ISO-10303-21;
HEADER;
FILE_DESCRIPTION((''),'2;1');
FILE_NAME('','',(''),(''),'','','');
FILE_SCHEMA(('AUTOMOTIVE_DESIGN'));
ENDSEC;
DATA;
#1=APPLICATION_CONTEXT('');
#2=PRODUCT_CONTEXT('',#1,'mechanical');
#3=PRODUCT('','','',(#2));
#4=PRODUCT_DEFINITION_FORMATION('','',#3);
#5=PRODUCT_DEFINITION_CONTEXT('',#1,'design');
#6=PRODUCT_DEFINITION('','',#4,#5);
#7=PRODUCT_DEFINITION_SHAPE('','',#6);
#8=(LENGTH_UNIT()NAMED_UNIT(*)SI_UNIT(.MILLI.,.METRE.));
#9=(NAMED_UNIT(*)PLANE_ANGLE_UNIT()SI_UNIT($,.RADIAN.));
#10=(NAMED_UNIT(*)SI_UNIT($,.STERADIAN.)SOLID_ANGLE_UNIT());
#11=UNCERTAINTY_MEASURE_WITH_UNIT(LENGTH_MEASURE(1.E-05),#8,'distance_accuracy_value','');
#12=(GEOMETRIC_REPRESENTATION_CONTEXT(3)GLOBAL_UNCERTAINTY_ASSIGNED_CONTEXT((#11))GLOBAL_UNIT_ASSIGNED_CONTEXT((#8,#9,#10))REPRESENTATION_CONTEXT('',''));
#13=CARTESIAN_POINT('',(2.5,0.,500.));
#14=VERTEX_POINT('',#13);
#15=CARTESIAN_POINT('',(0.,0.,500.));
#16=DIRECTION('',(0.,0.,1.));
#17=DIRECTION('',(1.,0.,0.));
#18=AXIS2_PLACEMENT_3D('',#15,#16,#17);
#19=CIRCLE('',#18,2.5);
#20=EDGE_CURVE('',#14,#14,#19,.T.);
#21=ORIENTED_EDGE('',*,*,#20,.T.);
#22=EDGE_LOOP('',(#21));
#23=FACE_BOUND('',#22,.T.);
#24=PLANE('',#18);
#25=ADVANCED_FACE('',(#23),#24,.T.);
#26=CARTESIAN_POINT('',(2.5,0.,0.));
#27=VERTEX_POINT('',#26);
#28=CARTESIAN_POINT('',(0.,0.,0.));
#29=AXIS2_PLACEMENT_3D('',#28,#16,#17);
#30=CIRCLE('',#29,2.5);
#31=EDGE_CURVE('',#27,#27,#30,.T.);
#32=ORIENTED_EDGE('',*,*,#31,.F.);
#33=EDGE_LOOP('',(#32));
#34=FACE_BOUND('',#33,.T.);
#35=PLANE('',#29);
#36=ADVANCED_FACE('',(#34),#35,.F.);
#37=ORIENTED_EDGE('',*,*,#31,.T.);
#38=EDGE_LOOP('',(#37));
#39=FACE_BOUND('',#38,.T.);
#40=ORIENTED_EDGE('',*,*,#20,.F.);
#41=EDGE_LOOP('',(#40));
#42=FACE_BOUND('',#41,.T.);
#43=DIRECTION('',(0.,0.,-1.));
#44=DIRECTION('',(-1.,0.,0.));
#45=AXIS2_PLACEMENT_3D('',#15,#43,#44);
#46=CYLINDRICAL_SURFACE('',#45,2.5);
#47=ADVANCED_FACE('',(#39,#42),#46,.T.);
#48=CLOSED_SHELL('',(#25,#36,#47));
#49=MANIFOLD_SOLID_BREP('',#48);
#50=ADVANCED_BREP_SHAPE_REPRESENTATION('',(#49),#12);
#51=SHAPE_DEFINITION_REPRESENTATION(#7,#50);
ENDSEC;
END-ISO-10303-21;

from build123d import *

# Parameters (mm, degrees)
ESQUISSE1_R        = 2.5
BOSS_EXTRU_1_DEPTH = 500


with BuildPart() as part:
    # Esquisse1 → Boss.-Extru.1 (new body)
    with BuildSketch(Plane.XY):
        Circle(ESQUISSE1_R)
    extrude(amount=BOSS_EXTRU_1_DEPTH)


solid = part.part
